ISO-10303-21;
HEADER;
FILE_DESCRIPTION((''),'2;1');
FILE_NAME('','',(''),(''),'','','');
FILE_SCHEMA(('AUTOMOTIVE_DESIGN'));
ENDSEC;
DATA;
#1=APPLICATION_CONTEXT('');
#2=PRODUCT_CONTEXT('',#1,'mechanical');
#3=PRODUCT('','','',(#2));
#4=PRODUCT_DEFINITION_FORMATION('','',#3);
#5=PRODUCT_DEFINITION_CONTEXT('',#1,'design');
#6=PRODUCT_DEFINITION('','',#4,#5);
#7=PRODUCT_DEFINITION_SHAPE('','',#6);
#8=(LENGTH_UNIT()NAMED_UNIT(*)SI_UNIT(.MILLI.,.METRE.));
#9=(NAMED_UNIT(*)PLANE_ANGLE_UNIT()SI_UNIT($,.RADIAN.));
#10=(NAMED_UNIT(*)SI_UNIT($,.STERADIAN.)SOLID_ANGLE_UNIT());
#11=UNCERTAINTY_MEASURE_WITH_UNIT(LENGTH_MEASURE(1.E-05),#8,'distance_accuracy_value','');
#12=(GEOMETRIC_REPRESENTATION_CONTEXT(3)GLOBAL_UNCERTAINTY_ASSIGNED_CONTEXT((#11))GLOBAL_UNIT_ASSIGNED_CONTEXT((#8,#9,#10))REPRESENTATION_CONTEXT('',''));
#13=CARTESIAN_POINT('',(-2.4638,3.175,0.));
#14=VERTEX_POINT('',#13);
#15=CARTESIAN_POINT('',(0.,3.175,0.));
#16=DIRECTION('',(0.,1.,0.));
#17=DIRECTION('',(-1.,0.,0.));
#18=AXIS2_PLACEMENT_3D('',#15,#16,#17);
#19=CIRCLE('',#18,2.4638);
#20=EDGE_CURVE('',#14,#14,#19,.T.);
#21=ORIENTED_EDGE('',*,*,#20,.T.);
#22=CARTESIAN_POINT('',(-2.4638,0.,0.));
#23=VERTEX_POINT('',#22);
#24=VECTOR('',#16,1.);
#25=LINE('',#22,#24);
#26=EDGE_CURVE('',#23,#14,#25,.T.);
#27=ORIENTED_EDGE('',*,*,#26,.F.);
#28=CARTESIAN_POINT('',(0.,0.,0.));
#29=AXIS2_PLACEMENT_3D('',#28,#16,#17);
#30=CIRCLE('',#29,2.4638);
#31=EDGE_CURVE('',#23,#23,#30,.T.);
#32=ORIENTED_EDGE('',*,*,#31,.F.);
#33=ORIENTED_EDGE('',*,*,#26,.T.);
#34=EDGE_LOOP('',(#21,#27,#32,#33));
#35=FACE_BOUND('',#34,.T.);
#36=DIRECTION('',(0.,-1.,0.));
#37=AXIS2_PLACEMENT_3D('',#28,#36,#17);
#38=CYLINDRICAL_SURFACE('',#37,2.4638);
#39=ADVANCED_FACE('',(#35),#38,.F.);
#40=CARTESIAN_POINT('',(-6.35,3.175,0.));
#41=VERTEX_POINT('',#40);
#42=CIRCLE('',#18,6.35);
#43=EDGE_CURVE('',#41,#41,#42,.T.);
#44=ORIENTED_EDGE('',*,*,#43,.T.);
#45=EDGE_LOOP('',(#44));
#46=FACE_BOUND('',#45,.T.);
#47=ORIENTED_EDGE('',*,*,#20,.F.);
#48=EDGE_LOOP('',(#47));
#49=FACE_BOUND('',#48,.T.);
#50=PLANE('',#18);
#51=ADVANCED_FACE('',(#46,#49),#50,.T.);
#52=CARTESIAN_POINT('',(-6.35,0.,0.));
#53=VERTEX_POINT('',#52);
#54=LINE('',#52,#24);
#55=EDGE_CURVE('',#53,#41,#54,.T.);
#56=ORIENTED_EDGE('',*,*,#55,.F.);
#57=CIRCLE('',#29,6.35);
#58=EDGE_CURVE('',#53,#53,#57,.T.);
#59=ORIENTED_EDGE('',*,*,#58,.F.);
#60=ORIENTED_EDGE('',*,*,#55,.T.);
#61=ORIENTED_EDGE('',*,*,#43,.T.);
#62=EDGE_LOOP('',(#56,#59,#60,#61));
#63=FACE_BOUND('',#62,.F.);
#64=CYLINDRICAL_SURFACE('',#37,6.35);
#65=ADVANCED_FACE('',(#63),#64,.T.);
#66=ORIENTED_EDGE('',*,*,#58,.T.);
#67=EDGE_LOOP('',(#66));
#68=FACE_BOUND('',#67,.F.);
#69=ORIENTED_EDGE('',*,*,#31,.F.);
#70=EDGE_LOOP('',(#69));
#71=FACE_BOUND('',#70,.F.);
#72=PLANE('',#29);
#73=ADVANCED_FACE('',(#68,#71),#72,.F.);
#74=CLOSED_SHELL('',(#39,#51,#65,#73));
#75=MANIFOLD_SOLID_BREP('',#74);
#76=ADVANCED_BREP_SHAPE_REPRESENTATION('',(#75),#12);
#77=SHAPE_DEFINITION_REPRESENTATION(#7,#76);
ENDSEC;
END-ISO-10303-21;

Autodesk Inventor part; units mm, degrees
ref_plane "YZ Plane" through (0, 0, 0) normal (1, 0, 0) x (0, 1, 0)
ref_plane "XZ Plane" through (0, 0, 0) normal (0, 1, 0) x (-1, 0, 0)
ref_plane "XY Plane" through (0, 0, 0) normal (0, 0, 1) x (1, 0, 0)
sketch "Sketch1" plane through (0, 0, 0) normal (0, 1, 0) x (-1, 0, 0)
  circle A0 centre (0, 0) radius 2.4638
  circle A1 centre (0, 0) radius 6.35
  dimension "d0" = 4.9276
  dimension "d1" = 12.7
extrude "Extrusion1" add sketch "Sketch1" along normal blind 3.175
properties part number "Nylon Spacer .5 OD-.125" material "VEX Nylon"
